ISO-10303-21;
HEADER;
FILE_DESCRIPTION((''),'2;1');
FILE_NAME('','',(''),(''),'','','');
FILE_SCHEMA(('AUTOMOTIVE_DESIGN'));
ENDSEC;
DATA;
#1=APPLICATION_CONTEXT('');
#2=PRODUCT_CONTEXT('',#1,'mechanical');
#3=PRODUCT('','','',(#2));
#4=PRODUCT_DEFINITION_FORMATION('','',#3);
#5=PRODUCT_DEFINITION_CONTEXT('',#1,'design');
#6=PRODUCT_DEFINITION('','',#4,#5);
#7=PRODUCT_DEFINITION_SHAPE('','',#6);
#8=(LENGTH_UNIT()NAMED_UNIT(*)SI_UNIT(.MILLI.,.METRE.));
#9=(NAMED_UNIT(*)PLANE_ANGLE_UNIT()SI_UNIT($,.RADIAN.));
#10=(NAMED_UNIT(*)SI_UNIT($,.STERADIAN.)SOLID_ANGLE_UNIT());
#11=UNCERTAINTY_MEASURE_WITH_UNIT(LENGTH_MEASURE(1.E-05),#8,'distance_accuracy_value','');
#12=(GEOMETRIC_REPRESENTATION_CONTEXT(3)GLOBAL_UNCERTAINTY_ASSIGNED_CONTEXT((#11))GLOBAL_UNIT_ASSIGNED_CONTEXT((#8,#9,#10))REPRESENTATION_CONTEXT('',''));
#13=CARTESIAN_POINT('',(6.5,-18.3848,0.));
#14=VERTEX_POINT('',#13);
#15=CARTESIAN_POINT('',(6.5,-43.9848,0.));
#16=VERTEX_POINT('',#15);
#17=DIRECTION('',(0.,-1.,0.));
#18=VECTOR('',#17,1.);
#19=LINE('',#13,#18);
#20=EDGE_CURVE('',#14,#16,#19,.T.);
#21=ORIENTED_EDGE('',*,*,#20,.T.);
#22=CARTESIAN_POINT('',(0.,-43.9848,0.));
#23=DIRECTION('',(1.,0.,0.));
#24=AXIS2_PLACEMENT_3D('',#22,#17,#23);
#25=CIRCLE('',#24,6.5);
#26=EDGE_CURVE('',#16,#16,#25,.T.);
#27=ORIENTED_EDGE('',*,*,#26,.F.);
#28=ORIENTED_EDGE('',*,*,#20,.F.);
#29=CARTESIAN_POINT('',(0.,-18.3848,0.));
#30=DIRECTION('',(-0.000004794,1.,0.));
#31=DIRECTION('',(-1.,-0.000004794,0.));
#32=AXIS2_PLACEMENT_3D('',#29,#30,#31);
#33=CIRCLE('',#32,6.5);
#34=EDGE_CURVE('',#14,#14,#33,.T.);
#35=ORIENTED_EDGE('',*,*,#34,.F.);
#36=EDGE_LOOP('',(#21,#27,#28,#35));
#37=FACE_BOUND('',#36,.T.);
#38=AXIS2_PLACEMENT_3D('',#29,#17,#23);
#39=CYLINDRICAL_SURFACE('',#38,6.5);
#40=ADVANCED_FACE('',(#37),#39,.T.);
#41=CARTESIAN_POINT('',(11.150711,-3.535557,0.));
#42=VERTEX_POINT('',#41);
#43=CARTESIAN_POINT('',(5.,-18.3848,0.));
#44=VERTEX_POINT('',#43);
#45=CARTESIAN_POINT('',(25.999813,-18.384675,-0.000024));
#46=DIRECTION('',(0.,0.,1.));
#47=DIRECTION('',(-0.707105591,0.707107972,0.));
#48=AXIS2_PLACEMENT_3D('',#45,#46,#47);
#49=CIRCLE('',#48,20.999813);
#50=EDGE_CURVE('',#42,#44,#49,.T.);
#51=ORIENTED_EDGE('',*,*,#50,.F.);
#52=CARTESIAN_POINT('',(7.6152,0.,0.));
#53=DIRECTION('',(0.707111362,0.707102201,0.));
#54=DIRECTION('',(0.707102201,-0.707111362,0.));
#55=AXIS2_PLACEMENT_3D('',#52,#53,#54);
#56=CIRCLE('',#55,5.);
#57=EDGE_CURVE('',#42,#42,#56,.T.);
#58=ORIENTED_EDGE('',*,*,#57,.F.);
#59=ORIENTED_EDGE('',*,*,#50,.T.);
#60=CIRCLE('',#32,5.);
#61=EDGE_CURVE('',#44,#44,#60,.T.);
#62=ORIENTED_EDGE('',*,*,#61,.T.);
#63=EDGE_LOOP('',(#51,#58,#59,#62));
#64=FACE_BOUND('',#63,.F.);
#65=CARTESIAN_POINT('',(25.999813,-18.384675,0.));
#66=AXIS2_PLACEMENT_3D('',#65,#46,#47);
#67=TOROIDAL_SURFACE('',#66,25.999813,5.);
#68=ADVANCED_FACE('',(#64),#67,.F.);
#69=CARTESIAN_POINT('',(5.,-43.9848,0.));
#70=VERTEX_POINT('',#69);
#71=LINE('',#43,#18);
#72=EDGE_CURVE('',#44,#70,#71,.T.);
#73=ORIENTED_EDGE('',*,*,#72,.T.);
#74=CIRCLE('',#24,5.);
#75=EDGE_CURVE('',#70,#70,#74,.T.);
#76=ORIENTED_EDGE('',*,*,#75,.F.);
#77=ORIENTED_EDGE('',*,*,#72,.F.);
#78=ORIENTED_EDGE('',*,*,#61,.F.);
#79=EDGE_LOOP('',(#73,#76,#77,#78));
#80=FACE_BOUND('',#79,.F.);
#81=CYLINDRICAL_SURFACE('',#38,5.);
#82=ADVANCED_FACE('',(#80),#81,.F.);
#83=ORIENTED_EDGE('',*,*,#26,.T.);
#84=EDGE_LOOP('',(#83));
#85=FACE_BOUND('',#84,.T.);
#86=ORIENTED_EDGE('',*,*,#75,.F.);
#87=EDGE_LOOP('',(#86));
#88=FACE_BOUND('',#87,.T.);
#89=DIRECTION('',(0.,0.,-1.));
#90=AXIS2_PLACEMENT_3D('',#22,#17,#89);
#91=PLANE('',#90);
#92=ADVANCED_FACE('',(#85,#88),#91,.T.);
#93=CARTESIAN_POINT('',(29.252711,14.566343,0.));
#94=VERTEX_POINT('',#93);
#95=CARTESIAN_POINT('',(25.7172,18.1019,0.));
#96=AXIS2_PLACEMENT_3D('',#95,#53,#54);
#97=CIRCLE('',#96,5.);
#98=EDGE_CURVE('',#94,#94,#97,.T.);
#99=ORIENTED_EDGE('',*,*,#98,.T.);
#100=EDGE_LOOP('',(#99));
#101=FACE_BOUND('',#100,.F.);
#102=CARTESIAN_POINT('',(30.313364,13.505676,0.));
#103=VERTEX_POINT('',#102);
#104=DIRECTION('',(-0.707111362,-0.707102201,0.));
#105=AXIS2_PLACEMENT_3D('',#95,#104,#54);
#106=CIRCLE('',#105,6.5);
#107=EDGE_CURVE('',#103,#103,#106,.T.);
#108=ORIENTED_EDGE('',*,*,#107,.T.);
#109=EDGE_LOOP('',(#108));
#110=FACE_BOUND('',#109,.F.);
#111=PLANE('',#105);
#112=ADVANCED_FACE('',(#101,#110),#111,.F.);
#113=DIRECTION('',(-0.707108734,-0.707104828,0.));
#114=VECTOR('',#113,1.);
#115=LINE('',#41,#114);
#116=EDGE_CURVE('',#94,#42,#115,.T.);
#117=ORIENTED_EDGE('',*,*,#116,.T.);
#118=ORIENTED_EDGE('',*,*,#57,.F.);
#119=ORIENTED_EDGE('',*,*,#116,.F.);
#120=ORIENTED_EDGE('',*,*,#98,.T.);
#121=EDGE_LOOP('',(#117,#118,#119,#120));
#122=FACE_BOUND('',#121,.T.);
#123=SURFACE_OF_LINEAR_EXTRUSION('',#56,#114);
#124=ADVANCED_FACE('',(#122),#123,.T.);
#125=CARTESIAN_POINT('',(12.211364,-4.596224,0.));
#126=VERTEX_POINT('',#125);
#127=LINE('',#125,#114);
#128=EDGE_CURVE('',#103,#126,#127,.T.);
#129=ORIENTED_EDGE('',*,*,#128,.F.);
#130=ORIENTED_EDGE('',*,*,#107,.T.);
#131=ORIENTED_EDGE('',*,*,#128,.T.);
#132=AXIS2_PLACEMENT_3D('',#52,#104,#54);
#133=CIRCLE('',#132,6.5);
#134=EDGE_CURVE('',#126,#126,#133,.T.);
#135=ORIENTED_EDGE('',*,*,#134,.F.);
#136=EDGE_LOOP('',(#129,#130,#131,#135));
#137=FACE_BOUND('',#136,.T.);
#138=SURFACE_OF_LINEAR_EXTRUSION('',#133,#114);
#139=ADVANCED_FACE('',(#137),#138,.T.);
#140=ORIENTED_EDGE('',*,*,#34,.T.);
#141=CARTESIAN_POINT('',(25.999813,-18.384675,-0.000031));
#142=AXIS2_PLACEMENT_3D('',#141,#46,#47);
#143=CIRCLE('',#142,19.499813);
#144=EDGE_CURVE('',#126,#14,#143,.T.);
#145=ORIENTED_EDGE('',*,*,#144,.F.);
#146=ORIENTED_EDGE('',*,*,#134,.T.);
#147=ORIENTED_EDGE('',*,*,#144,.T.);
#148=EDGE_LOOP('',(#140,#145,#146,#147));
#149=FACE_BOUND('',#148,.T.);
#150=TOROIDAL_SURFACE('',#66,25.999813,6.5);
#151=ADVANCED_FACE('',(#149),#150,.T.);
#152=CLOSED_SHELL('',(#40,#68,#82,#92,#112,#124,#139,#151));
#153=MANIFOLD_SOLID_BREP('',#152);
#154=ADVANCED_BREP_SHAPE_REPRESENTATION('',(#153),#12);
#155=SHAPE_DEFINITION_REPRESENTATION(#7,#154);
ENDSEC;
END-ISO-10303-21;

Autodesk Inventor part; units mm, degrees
ref_plane "YZ Plane" through (0, 0, 0) normal (1, 0, 0) x (0, 1, 0)
ref_plane "XZ Plane" through (0, 0, 0) normal (0, 1, 0) x (-1, 0, 0)
sketch "Szkic6" plane through (0, 0, 0) normal (0, 0, 1) x (1, 0, 0)
  line L0 (-29.6067, 0) -> (35.2678, 0) construction
  line L1 (0, 42.3419) -> (0, -58.3726) construction
  arc A0 (7.6152, 0) -> (0, -18.3848) centre (26, -18.3848) ccw
  line L2 (0, -18.3848) -> (26, -18.3848) construction
  line L3 (26, -18.3848) -> (-20.3389, 27.9541) construction
  line L4 (7.6152, 0) -> (25.7172, 18.1019)
  line L5 (0, -18.3848) -> (0, -43.9848)
  point P0 (0, 0)
  dimension "d24" = 35
  dimension "d31" = 45
  dimension "d36" = 0
  dimension "d37" = 0
ref_plane "Płaszczyzna konstrukcyjna2" through (0, -18.3848, 0) normal (0, -1, 0) x (1, 0, 0)
sketch "Szkic8" plane through (0, -18.3848, 0) normal (0, -1, 0) x (1, 0, 0)
  circle A0 centre (0, 0) radius 6.5
  circle A1 centre (0, 0) radius 5
  dimension "d32" = 19
  dimension "d33" = 1.5
sweep "Przeciągnięcie2" add profiles "Szkic8" path "Szkic6"
equation "\"d32\" = OD"
equation "\"d33\" = THK"
equation "\"d24\" = R"
equation "\"d31\" = KAT"
equation "\"SzerokośćGięciaPodcięcia\" = Grubość"
equation "\"RozmiarPodcięciaNarożnika\" = 4 * Grubość"
equation "\"PromieńPrzejścia\" = PromieńGięcia"
equation "\"Rozmiar_promienia_Jacobiego\" = PromieńGięcia"
equation "\"Wielk_odstępu\" = Grubość"
equation "\"d2\" = PromieńGięcia"
equation "\"d23\" = PromieńGięcia"
equation "\"R\" = 35"
equation "\"OD\" = 19"
equation "\"THK\" = 1.5"
equation "\"KAT\" = 45deg"
equation "\"PROSTKA\" = 0"
equation "\"Grubość\" = 1.5"
equation "\"PromieńGięcia\" = 3"
properties part number "Kolano 45° ø19x1,5 R35" material "304L"
